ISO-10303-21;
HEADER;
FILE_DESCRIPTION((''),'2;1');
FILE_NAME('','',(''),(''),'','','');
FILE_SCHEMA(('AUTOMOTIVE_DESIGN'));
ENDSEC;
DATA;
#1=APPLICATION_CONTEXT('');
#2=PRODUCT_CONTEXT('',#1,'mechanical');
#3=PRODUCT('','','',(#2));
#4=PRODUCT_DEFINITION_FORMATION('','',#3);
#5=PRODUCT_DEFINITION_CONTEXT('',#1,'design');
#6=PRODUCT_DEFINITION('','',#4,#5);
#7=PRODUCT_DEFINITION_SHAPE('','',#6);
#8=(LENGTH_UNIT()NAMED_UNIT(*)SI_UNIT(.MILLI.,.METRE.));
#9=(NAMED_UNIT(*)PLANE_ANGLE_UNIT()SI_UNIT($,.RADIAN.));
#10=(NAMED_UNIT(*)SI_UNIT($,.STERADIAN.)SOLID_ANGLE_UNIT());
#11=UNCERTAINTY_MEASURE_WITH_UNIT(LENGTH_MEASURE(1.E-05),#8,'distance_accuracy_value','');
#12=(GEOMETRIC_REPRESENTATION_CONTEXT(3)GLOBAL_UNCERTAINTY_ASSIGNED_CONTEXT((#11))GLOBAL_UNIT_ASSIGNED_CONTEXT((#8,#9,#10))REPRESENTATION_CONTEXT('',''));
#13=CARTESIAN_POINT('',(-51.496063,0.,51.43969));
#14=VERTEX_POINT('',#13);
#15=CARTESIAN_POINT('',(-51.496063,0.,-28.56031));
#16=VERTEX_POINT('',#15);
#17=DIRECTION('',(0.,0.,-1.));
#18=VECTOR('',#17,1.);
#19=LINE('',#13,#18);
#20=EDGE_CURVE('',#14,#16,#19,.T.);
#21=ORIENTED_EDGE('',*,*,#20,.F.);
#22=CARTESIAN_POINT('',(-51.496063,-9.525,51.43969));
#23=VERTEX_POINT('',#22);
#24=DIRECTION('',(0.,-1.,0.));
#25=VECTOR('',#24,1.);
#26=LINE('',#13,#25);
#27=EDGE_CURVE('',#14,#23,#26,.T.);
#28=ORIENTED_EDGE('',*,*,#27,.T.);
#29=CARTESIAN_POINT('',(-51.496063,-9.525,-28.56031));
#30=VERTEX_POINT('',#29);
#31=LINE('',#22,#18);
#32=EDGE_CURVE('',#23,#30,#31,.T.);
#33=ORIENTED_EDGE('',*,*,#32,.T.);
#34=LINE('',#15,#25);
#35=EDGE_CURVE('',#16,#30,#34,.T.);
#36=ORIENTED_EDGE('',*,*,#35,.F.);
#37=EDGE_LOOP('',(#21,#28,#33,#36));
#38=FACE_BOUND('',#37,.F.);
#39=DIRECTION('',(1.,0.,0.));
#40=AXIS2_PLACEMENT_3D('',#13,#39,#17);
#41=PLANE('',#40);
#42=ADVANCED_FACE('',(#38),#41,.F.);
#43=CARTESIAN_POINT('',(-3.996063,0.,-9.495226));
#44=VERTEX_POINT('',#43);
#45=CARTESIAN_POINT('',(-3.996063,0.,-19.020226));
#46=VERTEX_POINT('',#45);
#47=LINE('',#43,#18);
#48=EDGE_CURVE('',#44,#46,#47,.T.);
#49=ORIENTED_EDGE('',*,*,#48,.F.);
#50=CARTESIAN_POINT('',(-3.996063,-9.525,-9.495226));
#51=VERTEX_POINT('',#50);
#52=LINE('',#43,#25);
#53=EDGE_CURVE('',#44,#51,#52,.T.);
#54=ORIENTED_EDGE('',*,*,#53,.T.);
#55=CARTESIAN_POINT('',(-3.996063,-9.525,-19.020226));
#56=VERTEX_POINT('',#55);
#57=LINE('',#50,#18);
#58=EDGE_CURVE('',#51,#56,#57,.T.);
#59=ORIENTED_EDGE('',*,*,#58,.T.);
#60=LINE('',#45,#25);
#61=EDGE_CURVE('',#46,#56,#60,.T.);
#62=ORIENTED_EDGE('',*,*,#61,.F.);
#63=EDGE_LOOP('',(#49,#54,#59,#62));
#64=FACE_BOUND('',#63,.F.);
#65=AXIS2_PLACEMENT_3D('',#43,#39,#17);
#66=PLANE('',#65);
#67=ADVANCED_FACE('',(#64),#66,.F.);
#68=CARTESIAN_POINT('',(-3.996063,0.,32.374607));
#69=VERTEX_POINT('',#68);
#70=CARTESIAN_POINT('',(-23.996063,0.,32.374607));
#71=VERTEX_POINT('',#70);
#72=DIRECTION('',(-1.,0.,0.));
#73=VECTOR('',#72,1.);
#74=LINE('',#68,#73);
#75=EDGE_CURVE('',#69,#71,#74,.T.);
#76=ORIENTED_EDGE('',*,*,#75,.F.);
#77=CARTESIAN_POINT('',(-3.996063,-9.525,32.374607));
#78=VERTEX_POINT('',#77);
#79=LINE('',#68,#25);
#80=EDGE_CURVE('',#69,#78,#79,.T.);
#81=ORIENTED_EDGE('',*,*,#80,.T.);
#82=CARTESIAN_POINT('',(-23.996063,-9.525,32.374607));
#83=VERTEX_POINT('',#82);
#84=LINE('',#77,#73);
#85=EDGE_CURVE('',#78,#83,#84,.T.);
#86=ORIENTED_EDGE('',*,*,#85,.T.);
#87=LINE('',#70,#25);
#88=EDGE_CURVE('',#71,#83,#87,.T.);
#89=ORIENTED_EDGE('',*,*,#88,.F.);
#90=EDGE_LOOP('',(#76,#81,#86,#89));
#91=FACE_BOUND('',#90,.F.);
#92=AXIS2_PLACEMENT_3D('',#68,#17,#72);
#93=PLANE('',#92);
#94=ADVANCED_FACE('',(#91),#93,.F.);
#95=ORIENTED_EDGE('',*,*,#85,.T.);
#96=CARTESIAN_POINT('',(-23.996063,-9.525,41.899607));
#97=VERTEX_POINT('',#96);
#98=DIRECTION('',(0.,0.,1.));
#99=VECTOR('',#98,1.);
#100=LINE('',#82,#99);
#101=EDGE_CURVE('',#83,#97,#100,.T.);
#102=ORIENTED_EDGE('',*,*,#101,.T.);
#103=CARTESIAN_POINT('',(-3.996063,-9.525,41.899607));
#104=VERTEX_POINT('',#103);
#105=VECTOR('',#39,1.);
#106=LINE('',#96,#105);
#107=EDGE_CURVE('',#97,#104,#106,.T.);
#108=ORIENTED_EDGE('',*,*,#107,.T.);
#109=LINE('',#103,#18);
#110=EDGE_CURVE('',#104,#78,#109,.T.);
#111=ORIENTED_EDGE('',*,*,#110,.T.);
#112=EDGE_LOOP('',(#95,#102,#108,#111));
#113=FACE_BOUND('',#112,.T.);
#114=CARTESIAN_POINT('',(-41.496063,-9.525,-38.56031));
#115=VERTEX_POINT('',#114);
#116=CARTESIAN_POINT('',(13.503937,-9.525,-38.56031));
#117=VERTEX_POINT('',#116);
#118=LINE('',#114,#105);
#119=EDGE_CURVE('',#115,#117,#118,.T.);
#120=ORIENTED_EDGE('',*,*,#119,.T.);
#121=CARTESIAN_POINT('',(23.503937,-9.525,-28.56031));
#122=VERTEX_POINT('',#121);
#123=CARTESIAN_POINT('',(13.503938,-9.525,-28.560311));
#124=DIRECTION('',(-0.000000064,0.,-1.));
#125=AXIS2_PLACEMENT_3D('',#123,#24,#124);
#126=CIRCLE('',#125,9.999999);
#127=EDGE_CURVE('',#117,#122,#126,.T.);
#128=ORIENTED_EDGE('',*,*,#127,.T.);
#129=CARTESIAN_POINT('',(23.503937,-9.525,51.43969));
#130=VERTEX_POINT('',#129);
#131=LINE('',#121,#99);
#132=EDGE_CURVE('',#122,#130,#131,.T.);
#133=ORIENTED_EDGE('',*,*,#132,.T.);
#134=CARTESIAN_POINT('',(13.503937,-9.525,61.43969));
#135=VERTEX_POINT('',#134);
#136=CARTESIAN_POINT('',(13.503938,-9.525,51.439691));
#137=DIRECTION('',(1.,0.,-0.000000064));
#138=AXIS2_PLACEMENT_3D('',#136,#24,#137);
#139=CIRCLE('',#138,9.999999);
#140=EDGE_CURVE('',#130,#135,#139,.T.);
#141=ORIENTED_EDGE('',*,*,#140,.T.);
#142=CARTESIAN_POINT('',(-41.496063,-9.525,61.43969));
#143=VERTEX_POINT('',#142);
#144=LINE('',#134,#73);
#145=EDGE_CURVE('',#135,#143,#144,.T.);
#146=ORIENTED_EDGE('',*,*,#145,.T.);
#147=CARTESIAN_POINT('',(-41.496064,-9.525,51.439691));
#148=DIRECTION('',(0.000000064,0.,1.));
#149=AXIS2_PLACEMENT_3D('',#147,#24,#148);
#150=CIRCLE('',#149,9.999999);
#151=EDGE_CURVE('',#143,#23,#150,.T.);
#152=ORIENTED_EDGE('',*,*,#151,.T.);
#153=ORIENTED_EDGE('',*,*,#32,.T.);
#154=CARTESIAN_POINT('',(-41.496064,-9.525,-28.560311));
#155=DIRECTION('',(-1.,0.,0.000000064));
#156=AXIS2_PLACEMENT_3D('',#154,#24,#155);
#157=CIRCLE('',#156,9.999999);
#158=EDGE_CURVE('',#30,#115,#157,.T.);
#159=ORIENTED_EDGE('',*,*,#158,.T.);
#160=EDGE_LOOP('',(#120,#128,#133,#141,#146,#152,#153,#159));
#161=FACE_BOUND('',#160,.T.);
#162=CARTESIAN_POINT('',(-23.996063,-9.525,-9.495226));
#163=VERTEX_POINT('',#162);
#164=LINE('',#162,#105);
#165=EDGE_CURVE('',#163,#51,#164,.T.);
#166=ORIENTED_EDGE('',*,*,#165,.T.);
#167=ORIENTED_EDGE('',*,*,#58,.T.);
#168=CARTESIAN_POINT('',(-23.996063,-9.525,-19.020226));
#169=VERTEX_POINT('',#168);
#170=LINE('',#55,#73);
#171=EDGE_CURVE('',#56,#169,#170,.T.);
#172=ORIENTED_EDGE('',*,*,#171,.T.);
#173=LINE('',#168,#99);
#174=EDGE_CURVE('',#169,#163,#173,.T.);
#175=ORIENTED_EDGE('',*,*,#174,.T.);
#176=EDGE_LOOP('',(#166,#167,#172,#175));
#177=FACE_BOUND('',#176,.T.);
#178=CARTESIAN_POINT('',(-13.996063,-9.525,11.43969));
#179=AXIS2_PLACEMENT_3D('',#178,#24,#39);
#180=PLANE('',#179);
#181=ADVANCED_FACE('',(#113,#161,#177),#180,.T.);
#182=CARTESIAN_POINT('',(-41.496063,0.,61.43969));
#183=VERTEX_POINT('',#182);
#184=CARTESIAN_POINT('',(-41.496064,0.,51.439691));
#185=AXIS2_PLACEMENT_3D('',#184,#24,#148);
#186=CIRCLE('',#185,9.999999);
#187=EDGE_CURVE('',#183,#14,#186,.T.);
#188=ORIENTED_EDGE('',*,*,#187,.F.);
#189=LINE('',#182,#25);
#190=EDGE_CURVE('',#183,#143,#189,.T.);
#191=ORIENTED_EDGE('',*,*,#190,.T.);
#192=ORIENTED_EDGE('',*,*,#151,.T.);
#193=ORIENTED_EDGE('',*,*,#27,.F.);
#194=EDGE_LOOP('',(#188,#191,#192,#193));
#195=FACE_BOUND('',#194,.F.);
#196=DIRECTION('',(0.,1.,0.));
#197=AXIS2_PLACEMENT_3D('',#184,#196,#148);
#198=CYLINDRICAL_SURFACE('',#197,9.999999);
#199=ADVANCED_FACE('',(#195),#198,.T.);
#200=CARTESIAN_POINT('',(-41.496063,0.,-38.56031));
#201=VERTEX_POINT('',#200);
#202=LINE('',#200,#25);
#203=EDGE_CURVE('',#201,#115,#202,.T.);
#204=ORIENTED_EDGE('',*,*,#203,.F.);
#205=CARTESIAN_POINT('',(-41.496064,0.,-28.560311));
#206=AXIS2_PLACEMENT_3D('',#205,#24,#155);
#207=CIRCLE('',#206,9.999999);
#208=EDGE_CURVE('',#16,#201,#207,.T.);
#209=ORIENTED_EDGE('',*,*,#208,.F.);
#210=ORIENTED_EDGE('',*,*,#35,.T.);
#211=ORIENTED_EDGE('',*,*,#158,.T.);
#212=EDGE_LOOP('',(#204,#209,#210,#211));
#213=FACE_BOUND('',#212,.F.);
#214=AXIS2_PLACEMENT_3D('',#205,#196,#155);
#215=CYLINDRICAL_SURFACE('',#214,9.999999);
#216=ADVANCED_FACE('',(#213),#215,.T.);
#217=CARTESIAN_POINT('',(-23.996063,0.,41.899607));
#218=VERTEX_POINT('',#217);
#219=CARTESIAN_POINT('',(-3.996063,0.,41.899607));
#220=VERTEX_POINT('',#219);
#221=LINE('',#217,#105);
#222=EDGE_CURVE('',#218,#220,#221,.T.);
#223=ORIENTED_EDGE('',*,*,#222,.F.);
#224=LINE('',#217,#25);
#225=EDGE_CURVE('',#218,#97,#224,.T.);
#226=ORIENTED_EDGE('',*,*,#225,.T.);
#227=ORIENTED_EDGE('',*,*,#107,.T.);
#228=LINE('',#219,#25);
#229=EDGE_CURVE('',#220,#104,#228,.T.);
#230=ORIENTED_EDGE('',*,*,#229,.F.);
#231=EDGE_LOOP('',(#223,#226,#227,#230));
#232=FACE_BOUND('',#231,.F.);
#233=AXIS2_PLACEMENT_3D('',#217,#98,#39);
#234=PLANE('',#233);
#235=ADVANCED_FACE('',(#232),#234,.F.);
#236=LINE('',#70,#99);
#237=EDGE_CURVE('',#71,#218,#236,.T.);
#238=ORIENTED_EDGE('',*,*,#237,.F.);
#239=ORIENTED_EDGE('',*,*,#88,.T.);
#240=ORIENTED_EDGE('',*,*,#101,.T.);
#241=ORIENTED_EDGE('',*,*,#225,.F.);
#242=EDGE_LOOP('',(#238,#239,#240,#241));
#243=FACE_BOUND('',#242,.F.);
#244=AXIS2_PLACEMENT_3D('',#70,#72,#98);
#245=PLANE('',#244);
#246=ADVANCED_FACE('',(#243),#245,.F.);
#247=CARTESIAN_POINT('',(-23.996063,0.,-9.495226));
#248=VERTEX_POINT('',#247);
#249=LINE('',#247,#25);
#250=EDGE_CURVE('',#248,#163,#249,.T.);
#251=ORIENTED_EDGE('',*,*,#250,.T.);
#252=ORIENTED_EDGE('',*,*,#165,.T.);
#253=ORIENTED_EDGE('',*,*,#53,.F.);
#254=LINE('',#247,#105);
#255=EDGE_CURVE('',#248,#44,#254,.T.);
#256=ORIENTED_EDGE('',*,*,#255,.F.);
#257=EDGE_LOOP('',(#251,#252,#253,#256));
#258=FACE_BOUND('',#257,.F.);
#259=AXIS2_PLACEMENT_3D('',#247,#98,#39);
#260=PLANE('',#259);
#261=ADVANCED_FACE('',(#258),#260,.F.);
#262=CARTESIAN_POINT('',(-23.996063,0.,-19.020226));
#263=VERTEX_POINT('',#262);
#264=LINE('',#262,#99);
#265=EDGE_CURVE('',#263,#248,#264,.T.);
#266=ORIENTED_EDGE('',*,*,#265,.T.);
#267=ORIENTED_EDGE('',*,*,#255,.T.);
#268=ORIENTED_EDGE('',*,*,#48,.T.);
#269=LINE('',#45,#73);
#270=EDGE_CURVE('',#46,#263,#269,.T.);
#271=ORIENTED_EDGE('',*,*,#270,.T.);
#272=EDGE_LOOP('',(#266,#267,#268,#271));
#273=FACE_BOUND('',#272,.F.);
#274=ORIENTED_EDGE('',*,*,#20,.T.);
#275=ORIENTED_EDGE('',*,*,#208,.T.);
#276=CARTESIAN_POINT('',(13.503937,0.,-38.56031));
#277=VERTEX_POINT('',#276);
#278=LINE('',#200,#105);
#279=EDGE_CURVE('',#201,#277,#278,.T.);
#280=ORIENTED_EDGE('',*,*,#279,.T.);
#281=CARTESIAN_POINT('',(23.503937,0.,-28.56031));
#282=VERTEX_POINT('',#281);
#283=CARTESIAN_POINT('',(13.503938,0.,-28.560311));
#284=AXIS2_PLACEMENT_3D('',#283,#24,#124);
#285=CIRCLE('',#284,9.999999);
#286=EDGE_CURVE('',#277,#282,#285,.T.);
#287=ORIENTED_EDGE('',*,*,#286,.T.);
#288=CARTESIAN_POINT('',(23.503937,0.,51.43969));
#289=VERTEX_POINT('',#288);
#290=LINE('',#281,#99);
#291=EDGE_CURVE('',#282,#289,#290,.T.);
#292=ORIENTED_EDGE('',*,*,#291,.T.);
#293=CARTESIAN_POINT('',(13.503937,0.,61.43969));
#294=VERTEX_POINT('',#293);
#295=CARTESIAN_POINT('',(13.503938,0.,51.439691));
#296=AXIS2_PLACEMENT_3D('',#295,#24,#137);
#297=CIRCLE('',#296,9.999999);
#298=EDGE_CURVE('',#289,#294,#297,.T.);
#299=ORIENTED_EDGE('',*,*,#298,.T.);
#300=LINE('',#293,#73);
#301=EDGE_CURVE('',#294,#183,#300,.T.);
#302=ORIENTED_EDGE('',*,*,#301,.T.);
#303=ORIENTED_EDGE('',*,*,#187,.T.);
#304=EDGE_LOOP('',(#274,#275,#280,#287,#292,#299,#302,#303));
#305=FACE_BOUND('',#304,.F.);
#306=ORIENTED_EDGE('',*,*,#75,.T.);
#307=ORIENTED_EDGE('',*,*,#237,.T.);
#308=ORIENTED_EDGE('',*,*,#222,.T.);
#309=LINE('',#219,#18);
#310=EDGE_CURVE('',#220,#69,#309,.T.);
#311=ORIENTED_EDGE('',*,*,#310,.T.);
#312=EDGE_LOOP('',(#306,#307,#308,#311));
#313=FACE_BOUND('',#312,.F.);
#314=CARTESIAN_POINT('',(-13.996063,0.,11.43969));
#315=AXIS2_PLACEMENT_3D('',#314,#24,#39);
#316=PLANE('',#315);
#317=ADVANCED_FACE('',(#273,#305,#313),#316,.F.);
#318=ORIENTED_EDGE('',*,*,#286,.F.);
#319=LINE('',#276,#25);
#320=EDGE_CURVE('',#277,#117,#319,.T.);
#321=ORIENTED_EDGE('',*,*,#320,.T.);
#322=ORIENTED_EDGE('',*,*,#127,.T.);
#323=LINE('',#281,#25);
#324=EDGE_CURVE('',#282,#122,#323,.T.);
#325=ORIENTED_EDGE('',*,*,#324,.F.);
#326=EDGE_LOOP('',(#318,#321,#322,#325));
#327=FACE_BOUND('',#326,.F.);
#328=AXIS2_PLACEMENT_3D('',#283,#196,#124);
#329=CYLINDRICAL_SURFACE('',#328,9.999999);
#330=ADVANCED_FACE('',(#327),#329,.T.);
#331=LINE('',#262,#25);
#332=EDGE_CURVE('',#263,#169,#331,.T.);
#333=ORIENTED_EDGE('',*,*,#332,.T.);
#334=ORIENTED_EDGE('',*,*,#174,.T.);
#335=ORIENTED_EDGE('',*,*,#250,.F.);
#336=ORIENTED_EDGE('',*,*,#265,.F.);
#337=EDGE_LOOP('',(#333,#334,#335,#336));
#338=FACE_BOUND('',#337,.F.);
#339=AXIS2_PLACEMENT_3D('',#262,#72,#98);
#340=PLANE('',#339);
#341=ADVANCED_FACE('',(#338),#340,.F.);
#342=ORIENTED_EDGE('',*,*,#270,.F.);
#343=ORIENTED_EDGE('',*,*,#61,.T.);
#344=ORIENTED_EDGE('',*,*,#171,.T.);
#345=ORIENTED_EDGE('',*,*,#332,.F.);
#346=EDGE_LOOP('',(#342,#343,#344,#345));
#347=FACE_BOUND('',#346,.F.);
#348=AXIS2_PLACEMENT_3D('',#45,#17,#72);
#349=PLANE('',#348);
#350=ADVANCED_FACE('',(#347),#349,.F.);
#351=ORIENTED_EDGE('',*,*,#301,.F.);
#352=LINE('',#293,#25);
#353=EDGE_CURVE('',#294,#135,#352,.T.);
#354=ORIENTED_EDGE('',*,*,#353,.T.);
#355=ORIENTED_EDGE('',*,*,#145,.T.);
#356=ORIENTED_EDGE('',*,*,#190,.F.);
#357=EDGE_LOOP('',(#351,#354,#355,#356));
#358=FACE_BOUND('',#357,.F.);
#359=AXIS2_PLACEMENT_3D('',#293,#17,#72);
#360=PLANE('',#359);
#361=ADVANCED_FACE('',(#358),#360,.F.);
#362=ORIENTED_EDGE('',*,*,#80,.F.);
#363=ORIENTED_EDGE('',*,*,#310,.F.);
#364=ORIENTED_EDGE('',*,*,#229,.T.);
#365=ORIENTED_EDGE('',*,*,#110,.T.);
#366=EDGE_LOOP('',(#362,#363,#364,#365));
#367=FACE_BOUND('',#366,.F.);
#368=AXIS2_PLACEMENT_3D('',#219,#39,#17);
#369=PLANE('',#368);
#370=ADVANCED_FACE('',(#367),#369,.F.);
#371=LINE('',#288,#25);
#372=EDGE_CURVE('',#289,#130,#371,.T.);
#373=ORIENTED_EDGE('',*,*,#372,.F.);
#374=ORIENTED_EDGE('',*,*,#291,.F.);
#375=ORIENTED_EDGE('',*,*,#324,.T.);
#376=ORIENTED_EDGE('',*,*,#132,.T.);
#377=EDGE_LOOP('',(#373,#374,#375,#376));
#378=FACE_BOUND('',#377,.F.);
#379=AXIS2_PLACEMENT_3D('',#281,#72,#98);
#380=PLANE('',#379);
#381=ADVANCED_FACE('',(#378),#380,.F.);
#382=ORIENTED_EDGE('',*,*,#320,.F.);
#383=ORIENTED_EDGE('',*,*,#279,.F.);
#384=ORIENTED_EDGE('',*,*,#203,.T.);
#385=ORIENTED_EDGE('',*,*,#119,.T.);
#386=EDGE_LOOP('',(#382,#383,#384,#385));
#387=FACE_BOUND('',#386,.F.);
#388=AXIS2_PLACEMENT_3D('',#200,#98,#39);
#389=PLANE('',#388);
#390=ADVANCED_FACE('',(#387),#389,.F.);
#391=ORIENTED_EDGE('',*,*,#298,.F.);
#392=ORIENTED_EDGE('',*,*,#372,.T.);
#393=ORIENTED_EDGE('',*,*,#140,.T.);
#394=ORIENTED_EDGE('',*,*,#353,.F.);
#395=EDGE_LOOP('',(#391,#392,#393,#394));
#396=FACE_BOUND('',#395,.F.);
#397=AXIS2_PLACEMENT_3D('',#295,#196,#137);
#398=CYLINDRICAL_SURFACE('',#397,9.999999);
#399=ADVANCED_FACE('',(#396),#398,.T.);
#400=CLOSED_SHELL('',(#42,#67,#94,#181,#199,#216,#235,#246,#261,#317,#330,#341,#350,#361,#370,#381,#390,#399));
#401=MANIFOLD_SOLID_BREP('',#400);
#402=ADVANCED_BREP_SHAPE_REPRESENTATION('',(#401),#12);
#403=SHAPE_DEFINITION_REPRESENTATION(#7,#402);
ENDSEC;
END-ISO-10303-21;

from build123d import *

# Parameters (mm, degrees)
F1_DEPTH = 9.525


with BuildPart() as f1:
    # F0 (on Front) → F1 (new body)
    with BuildSketch(Plane.XZ):
        with BuildLine():
            Line((13.503937, 61.43969), (-41.496063, 61.43969))
            ThreePointArc((-41.496063, 61.43969), (-48.567131, 58.510758), (-51.496063, 51.43969))
            Line((-51.496063, 51.43969), (-51.496063, -28.56031))
            ThreePointArc((-51.496063, -28.56031), (-48.567131, -35.631378), (-41.496063, -38.56031))
            Line((-41.496063, -38.56031), (13.503937, -38.56031))
            ThreePointArc((13.503937, -38.56031), (20.575005, -35.631378), (23.503937, -28.56031))
            Line((23.503937, -28.56031), (23.503937, 51.43969))
            ThreePointArc((23.503937, 51.43969), (20.575005, 58.510758), (13.503937, 61.43969))
        make_face()
        Polygon((-23.996063, -9.495226), (-3.996063, -9.495226), (-3.996063, -19.020226), (-13.996063, -19.020226), (-23.996063, -19.020226), align=None, mode=Mode.SUBTRACT)
        Polygon((-23.996063, 41.899607), (-13.996063, 41.899607), (-3.996063, 41.899607), (-3.996063, 32.374607), (-23.996063, 32.374607), align=None, mode=Mode.SUBTRACT)
    extrude(amount=F1_DEPTH)


solid = f1.part
